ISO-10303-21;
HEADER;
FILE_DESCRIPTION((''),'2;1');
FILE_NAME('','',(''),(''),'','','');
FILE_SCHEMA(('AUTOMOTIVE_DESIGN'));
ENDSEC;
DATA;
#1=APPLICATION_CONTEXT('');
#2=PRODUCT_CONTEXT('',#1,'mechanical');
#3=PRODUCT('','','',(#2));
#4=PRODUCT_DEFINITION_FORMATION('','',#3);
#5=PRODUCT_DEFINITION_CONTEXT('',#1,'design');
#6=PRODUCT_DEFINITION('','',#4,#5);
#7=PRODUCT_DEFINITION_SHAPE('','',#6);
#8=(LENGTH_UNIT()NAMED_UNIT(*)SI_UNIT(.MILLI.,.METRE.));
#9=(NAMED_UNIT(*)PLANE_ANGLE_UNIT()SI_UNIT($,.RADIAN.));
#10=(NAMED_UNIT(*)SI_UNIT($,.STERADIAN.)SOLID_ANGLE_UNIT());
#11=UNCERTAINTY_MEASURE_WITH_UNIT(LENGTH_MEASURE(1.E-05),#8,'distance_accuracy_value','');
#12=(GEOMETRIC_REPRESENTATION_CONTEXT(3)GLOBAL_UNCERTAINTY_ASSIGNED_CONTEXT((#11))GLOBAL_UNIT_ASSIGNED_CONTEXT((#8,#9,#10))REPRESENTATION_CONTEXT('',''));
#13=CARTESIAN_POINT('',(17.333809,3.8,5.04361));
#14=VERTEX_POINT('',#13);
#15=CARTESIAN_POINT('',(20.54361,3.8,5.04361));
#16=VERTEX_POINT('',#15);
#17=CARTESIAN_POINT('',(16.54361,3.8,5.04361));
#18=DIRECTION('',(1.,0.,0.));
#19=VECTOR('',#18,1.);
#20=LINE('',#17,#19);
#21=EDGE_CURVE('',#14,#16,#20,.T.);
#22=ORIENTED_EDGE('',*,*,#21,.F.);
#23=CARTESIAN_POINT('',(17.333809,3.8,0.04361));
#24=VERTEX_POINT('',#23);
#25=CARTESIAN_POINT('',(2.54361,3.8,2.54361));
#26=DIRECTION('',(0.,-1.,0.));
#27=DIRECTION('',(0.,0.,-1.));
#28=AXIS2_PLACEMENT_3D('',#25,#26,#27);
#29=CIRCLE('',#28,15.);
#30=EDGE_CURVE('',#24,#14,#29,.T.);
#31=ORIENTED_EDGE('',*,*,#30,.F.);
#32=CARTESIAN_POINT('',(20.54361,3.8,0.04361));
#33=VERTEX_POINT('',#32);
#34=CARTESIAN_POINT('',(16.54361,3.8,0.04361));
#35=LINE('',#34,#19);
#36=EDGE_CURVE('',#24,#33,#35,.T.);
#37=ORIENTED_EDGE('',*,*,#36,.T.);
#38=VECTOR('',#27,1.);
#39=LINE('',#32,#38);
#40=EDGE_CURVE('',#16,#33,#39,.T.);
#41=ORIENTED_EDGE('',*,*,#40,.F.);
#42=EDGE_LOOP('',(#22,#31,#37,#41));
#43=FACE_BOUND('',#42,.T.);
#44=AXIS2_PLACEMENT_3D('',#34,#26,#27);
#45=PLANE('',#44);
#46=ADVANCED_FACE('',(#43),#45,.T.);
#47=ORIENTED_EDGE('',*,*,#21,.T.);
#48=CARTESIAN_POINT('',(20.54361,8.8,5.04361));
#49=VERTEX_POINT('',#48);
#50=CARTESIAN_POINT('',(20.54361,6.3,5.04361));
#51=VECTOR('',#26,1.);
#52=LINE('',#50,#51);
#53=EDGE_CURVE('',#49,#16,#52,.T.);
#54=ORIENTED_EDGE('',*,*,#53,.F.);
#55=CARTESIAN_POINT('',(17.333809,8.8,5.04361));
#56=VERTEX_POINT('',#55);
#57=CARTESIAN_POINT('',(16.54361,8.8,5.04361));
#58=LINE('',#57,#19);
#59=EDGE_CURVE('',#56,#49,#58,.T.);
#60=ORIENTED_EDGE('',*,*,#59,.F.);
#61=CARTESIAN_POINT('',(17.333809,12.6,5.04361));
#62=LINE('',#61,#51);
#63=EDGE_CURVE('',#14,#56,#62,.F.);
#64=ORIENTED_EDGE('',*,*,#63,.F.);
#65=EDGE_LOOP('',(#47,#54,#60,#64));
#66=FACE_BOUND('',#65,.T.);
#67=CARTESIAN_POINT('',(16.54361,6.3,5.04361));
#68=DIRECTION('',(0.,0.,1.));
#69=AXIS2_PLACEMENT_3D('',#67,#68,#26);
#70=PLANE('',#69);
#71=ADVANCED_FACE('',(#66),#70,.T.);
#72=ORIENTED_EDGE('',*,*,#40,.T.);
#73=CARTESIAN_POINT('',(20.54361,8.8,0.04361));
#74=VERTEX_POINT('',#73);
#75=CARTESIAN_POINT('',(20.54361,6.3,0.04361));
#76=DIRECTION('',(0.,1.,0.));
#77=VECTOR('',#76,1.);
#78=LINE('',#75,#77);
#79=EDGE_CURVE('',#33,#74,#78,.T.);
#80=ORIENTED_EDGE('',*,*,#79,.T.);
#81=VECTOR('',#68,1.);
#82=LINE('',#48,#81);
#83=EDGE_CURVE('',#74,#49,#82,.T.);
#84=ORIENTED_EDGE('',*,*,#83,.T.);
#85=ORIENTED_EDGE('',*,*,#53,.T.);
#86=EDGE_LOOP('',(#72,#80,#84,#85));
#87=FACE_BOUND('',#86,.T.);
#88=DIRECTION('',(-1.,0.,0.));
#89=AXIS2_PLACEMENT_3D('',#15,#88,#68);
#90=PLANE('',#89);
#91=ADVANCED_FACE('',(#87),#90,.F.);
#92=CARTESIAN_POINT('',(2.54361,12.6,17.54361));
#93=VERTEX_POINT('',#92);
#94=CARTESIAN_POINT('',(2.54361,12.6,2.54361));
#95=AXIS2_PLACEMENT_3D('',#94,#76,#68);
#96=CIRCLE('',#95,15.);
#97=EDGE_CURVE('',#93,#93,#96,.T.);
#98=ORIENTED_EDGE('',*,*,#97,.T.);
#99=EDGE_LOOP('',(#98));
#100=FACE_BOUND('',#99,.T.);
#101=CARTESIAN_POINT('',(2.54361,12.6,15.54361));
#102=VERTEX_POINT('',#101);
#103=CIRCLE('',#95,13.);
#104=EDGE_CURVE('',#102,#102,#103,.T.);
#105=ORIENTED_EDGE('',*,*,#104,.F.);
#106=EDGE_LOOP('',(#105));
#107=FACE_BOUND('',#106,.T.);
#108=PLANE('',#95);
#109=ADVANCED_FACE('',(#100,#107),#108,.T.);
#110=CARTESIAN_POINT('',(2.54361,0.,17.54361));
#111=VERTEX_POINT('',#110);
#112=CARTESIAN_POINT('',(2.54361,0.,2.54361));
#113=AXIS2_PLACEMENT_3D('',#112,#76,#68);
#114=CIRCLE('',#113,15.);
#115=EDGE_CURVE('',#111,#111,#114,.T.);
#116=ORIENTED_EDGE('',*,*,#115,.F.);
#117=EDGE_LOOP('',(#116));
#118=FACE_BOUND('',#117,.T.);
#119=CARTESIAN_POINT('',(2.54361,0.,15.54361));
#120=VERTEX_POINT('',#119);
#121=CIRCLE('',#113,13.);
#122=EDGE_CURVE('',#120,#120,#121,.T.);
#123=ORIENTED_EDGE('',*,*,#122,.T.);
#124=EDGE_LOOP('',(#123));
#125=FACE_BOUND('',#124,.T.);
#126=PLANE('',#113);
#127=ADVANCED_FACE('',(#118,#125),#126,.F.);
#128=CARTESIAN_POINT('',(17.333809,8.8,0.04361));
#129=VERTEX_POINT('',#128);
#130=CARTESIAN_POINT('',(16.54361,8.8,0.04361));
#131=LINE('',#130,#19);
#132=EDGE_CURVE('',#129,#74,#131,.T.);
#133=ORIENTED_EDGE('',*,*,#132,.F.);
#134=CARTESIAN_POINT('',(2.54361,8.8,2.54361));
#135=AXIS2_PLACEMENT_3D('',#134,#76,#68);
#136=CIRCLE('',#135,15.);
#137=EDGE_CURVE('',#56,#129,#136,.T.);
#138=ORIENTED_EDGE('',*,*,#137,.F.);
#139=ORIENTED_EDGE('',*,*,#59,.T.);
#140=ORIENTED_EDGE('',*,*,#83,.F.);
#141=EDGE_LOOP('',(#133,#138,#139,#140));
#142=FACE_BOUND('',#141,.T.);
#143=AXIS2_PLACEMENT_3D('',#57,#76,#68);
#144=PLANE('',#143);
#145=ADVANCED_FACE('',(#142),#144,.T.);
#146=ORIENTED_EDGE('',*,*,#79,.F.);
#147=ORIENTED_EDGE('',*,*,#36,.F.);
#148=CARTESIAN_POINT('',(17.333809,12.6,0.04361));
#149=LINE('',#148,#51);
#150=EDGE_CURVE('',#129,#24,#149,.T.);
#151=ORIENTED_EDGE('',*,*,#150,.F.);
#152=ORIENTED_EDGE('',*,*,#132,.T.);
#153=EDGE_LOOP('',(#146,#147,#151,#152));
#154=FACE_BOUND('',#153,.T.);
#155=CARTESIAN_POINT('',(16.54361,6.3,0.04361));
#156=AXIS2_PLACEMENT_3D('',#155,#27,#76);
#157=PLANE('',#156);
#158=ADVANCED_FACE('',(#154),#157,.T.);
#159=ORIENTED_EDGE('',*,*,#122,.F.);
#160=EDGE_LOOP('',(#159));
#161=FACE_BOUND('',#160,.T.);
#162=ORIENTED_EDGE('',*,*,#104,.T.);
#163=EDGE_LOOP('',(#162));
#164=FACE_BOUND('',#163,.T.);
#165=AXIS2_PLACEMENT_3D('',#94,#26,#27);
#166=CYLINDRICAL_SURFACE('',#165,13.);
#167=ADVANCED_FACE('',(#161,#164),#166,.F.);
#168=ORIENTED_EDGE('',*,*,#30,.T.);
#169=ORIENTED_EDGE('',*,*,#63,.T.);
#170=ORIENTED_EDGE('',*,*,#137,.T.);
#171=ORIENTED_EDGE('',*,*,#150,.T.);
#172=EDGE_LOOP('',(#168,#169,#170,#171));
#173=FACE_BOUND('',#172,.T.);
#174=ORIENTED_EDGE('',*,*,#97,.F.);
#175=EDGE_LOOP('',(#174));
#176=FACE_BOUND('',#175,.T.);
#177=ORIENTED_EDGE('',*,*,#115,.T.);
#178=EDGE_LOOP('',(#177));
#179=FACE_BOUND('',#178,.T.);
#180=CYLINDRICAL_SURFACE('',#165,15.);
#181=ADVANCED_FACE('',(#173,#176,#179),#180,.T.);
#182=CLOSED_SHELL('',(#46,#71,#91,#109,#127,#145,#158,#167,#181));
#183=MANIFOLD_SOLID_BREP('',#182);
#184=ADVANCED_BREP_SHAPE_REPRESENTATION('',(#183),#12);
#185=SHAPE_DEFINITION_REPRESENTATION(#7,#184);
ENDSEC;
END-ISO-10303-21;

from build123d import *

# Parameters (mm, degrees)
SKETCH1_R                = 15
SKETCH1_R_2              = 13
BOSS_EXTRUDE2_DEPTH      = 12.6
BOSS_EXTRUDE3_DEPTH      = 3
BOSS_EXTRUDE3_DEPTH_BACK = 1


with BuildPart() as part:
    # Sketch1 → Boss-Extrude2 (new body)
    with BuildSketch(Plane(origin=(0, 0, 0), x_dir=(1, 0, 0), z_dir=(0, 1, 0))):
        with Locations((2.543609681, -2.543609681)):
            Circle(SKETCH1_R)
        with Locations((2.543609681, -2.543609681)):
            Circle(SKETCH1_R_2, mode=Mode.SUBTRACT)
    extrude(amount=BOSS_EXTRUDE2_DEPTH)

    # Sketch3 → Boss-Extrude3 (add, two sides)
    with BuildSketch(Plane(origin=(17.543609681, 0, 0), x_dir=(0, 0, -1), z_dir=(1, 0, 0))) as boss_extrude3_sk:
        Polygon((-5.043609681, 6.3), (-5.043609681, 8.8), (-0.043609681, 8.8), (-0.043609681, 6.3), (-0.043609681, 3.8), (-5.043609681, 3.8), align=None)
    extrude(amount=BOSS_EXTRUDE3_DEPTH)
    extrude(boss_extrude3_sk.sketch, amount=-BOSS_EXTRUDE3_DEPTH_BACK)


solid = part.part
